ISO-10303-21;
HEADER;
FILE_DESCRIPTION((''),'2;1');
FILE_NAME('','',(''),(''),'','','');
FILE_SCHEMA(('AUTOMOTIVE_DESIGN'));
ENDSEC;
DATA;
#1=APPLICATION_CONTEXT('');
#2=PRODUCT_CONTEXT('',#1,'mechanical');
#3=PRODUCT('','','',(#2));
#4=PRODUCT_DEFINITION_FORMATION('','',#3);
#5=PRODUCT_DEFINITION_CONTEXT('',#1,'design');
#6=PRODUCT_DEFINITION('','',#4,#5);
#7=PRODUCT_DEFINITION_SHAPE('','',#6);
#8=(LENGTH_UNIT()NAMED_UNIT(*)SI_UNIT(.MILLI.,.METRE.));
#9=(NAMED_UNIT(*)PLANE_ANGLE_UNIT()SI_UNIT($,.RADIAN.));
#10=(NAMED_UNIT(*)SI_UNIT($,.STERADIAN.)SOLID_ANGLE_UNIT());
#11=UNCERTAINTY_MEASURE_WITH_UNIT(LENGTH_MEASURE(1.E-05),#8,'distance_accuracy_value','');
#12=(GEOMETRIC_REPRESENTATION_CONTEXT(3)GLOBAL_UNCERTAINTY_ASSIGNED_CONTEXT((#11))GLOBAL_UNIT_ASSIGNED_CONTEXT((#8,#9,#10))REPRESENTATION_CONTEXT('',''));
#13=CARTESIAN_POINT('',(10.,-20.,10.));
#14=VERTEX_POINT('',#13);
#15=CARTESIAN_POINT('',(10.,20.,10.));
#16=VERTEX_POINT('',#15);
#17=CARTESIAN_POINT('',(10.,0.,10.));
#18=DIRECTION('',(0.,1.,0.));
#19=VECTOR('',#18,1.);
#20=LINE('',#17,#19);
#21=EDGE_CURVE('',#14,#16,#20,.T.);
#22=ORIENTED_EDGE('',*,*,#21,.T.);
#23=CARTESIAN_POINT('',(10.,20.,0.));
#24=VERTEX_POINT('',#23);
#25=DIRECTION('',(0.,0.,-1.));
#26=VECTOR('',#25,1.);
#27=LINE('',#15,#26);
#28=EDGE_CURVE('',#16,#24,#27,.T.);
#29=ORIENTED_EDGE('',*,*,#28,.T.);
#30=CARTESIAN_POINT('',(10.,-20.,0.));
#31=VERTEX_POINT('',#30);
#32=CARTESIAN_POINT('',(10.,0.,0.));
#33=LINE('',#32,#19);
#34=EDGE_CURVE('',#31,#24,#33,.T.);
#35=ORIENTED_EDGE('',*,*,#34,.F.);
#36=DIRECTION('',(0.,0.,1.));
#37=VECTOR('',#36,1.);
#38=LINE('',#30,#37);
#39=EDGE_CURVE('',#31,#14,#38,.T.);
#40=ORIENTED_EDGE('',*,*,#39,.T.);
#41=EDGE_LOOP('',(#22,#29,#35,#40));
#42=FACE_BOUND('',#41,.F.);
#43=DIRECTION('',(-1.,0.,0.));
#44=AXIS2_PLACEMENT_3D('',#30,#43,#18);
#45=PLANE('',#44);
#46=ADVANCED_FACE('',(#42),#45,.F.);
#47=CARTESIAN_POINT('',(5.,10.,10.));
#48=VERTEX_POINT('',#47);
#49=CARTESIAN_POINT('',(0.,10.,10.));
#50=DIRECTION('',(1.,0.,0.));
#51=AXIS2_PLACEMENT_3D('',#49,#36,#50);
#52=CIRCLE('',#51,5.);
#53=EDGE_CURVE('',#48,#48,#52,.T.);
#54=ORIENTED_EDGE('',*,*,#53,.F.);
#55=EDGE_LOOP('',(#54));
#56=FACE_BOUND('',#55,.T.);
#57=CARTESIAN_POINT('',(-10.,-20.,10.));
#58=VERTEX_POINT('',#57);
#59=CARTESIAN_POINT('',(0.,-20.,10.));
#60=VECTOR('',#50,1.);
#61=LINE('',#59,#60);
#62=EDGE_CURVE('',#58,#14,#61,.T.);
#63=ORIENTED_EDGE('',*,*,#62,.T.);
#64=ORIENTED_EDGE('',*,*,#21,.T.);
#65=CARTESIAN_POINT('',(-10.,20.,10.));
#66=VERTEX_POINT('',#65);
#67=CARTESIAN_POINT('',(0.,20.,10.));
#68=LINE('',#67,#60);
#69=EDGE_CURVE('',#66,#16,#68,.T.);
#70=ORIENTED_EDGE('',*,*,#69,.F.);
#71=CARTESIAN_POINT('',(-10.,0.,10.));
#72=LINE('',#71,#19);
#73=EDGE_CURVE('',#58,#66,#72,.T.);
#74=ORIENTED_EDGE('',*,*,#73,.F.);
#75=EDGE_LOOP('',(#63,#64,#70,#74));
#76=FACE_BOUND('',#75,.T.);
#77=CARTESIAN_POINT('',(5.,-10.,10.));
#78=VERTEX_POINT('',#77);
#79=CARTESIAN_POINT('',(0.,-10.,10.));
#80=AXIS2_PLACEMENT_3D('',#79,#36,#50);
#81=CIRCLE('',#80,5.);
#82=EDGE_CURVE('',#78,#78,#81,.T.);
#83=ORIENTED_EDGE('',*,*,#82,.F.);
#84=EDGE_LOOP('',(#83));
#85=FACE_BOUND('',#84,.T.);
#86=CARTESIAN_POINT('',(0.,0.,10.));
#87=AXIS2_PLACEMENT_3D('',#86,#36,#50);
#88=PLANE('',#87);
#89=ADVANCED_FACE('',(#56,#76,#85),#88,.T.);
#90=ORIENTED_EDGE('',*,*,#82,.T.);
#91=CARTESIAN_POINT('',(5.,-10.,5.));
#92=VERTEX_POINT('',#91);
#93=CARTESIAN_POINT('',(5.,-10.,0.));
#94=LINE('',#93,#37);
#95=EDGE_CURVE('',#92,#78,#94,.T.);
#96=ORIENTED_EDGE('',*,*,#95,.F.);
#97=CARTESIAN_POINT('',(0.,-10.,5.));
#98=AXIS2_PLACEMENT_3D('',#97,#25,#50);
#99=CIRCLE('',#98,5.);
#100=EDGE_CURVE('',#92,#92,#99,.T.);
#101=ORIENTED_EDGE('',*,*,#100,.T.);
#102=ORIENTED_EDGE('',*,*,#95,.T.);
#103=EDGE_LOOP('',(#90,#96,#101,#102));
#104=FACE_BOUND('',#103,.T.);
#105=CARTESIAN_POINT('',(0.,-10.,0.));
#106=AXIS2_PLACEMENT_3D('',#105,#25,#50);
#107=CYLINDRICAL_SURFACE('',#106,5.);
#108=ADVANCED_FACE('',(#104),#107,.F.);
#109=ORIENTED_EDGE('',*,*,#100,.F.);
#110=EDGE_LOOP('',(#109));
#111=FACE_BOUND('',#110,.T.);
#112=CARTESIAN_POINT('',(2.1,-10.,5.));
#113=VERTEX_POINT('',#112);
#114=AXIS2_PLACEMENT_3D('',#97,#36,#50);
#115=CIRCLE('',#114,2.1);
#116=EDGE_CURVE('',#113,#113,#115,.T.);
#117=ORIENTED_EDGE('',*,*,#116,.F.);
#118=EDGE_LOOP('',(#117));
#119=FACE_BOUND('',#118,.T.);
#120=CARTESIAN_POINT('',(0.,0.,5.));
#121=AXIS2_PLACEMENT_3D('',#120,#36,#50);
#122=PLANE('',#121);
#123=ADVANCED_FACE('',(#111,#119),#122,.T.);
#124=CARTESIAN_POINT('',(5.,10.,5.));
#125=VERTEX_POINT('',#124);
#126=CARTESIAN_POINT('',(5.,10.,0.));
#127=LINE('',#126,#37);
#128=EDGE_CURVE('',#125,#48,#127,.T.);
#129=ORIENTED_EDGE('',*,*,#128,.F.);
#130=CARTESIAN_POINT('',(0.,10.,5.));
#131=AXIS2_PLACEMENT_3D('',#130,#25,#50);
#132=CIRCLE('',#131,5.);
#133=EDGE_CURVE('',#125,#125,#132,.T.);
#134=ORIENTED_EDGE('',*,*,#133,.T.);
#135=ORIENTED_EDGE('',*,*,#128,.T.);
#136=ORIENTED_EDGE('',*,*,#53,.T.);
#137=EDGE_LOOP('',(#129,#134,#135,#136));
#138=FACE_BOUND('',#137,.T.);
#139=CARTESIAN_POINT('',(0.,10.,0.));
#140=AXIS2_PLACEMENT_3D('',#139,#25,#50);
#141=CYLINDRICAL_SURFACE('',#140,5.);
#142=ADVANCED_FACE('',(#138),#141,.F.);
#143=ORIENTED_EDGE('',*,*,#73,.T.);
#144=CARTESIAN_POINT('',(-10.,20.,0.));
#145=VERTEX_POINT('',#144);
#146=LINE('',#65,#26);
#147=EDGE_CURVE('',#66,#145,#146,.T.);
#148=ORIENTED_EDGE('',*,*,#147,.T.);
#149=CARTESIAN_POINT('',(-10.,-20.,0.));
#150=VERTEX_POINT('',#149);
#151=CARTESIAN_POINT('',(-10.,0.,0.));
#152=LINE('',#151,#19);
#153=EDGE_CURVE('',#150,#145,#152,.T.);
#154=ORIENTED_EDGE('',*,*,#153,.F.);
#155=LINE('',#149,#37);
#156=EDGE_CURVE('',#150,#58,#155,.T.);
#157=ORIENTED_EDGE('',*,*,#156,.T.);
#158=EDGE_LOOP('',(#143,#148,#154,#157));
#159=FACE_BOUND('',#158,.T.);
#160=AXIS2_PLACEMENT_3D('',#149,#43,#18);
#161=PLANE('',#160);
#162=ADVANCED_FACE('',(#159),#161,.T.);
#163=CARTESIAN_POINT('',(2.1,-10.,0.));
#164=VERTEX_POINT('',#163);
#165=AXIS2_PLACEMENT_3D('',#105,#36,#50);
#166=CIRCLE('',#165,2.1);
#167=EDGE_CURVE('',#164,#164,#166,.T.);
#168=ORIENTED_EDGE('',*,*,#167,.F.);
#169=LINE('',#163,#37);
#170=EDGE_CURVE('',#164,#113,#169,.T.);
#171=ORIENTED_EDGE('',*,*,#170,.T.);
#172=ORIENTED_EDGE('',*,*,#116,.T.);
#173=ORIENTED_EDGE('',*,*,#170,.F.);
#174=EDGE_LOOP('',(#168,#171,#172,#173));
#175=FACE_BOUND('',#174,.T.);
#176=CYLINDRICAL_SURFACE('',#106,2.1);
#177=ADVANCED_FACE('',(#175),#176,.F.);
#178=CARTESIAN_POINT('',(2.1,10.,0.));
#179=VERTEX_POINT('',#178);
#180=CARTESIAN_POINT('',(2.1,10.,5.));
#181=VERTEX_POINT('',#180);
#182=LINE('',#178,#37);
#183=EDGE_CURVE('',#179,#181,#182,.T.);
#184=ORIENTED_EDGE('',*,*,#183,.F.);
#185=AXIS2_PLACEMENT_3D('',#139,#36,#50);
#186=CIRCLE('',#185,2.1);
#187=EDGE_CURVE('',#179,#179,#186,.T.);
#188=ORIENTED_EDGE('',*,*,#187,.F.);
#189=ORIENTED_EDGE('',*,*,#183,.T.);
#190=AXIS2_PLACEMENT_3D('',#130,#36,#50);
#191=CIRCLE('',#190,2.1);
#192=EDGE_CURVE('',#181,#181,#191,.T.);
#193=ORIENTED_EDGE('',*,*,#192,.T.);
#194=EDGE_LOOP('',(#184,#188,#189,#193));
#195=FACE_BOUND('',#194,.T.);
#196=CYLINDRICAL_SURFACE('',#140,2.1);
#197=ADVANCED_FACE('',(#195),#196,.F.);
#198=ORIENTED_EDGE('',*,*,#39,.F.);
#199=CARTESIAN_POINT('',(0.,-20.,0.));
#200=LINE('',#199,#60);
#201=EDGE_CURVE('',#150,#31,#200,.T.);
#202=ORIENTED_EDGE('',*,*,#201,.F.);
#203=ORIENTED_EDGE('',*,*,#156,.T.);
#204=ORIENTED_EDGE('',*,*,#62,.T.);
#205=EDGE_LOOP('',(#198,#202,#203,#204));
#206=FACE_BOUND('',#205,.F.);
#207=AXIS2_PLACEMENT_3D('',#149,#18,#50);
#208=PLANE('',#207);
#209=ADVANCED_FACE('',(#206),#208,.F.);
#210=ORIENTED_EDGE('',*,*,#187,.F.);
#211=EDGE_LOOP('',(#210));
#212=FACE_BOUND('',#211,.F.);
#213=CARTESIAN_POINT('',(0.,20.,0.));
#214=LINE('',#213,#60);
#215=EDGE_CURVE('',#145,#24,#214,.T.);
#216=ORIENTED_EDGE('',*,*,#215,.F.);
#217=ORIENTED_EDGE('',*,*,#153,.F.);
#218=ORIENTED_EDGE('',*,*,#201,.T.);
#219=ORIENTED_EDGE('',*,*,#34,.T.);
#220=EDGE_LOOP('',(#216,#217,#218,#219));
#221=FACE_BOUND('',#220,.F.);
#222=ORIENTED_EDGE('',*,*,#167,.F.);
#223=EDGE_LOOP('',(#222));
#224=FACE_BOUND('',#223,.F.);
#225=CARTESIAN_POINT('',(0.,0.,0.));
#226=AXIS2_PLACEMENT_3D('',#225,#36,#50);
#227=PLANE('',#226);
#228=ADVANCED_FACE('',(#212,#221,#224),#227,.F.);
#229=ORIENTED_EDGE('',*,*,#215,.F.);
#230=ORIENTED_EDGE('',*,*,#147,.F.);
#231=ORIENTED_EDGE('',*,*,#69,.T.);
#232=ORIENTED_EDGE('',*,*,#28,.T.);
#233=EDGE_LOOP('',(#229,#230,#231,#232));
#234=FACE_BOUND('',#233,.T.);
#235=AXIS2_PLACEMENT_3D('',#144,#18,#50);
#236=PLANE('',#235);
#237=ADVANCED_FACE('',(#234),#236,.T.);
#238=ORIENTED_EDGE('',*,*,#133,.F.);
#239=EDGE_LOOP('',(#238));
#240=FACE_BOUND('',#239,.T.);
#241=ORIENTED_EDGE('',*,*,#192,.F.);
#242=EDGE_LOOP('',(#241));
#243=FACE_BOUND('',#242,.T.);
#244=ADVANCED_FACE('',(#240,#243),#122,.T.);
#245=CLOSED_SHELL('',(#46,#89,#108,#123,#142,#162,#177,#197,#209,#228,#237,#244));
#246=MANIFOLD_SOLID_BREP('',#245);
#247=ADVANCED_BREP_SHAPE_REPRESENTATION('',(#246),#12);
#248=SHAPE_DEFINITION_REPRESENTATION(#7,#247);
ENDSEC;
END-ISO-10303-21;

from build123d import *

# Parameters (mm, degrees)
F0_W     = 20
F0_H     = 40
F0_R     = 5
F0_R_2   = 2.1
F1_DEPTH = 5
F2_DEPTH = 10


with BuildPart() as f1:
    # F0 (on Top) → F1 (new body)
    with BuildSketch(Plane.XY):
        Rectangle(F0_W, F0_H)
        with Locations((0, -10)):
            Circle(F0_R, mode=Mode.SUBTRACT)
        with Locations((0, 10)):
            Circle(F0_R, mode=Mode.SUBTRACT)
        with Locations((0, 10)):
            Circle(F0_R)
        with Locations((0, 10)):
            Circle(F0_R_2, mode=Mode.SUBTRACT)
        with Locations((0, -10)):
            Circle(F0_R)
        with Locations((0, -10)):
            Circle(F0_R_2, mode=Mode.SUBTRACT)
    extrude(amount=F1_DEPTH)

    # F0 (on Top) → F2 (join)
    with BuildSketch(Plane.XY):
        Rectangle(F0_W, F0_H)
        with Locations((0, -10)):
            Circle(F0_R, mode=Mode.SUBTRACT)
        with Locations((0, 10)):
            Circle(F0_R, mode=Mode.SUBTRACT)
    extrude(amount=F2_DEPTH)


solid = f1.part
